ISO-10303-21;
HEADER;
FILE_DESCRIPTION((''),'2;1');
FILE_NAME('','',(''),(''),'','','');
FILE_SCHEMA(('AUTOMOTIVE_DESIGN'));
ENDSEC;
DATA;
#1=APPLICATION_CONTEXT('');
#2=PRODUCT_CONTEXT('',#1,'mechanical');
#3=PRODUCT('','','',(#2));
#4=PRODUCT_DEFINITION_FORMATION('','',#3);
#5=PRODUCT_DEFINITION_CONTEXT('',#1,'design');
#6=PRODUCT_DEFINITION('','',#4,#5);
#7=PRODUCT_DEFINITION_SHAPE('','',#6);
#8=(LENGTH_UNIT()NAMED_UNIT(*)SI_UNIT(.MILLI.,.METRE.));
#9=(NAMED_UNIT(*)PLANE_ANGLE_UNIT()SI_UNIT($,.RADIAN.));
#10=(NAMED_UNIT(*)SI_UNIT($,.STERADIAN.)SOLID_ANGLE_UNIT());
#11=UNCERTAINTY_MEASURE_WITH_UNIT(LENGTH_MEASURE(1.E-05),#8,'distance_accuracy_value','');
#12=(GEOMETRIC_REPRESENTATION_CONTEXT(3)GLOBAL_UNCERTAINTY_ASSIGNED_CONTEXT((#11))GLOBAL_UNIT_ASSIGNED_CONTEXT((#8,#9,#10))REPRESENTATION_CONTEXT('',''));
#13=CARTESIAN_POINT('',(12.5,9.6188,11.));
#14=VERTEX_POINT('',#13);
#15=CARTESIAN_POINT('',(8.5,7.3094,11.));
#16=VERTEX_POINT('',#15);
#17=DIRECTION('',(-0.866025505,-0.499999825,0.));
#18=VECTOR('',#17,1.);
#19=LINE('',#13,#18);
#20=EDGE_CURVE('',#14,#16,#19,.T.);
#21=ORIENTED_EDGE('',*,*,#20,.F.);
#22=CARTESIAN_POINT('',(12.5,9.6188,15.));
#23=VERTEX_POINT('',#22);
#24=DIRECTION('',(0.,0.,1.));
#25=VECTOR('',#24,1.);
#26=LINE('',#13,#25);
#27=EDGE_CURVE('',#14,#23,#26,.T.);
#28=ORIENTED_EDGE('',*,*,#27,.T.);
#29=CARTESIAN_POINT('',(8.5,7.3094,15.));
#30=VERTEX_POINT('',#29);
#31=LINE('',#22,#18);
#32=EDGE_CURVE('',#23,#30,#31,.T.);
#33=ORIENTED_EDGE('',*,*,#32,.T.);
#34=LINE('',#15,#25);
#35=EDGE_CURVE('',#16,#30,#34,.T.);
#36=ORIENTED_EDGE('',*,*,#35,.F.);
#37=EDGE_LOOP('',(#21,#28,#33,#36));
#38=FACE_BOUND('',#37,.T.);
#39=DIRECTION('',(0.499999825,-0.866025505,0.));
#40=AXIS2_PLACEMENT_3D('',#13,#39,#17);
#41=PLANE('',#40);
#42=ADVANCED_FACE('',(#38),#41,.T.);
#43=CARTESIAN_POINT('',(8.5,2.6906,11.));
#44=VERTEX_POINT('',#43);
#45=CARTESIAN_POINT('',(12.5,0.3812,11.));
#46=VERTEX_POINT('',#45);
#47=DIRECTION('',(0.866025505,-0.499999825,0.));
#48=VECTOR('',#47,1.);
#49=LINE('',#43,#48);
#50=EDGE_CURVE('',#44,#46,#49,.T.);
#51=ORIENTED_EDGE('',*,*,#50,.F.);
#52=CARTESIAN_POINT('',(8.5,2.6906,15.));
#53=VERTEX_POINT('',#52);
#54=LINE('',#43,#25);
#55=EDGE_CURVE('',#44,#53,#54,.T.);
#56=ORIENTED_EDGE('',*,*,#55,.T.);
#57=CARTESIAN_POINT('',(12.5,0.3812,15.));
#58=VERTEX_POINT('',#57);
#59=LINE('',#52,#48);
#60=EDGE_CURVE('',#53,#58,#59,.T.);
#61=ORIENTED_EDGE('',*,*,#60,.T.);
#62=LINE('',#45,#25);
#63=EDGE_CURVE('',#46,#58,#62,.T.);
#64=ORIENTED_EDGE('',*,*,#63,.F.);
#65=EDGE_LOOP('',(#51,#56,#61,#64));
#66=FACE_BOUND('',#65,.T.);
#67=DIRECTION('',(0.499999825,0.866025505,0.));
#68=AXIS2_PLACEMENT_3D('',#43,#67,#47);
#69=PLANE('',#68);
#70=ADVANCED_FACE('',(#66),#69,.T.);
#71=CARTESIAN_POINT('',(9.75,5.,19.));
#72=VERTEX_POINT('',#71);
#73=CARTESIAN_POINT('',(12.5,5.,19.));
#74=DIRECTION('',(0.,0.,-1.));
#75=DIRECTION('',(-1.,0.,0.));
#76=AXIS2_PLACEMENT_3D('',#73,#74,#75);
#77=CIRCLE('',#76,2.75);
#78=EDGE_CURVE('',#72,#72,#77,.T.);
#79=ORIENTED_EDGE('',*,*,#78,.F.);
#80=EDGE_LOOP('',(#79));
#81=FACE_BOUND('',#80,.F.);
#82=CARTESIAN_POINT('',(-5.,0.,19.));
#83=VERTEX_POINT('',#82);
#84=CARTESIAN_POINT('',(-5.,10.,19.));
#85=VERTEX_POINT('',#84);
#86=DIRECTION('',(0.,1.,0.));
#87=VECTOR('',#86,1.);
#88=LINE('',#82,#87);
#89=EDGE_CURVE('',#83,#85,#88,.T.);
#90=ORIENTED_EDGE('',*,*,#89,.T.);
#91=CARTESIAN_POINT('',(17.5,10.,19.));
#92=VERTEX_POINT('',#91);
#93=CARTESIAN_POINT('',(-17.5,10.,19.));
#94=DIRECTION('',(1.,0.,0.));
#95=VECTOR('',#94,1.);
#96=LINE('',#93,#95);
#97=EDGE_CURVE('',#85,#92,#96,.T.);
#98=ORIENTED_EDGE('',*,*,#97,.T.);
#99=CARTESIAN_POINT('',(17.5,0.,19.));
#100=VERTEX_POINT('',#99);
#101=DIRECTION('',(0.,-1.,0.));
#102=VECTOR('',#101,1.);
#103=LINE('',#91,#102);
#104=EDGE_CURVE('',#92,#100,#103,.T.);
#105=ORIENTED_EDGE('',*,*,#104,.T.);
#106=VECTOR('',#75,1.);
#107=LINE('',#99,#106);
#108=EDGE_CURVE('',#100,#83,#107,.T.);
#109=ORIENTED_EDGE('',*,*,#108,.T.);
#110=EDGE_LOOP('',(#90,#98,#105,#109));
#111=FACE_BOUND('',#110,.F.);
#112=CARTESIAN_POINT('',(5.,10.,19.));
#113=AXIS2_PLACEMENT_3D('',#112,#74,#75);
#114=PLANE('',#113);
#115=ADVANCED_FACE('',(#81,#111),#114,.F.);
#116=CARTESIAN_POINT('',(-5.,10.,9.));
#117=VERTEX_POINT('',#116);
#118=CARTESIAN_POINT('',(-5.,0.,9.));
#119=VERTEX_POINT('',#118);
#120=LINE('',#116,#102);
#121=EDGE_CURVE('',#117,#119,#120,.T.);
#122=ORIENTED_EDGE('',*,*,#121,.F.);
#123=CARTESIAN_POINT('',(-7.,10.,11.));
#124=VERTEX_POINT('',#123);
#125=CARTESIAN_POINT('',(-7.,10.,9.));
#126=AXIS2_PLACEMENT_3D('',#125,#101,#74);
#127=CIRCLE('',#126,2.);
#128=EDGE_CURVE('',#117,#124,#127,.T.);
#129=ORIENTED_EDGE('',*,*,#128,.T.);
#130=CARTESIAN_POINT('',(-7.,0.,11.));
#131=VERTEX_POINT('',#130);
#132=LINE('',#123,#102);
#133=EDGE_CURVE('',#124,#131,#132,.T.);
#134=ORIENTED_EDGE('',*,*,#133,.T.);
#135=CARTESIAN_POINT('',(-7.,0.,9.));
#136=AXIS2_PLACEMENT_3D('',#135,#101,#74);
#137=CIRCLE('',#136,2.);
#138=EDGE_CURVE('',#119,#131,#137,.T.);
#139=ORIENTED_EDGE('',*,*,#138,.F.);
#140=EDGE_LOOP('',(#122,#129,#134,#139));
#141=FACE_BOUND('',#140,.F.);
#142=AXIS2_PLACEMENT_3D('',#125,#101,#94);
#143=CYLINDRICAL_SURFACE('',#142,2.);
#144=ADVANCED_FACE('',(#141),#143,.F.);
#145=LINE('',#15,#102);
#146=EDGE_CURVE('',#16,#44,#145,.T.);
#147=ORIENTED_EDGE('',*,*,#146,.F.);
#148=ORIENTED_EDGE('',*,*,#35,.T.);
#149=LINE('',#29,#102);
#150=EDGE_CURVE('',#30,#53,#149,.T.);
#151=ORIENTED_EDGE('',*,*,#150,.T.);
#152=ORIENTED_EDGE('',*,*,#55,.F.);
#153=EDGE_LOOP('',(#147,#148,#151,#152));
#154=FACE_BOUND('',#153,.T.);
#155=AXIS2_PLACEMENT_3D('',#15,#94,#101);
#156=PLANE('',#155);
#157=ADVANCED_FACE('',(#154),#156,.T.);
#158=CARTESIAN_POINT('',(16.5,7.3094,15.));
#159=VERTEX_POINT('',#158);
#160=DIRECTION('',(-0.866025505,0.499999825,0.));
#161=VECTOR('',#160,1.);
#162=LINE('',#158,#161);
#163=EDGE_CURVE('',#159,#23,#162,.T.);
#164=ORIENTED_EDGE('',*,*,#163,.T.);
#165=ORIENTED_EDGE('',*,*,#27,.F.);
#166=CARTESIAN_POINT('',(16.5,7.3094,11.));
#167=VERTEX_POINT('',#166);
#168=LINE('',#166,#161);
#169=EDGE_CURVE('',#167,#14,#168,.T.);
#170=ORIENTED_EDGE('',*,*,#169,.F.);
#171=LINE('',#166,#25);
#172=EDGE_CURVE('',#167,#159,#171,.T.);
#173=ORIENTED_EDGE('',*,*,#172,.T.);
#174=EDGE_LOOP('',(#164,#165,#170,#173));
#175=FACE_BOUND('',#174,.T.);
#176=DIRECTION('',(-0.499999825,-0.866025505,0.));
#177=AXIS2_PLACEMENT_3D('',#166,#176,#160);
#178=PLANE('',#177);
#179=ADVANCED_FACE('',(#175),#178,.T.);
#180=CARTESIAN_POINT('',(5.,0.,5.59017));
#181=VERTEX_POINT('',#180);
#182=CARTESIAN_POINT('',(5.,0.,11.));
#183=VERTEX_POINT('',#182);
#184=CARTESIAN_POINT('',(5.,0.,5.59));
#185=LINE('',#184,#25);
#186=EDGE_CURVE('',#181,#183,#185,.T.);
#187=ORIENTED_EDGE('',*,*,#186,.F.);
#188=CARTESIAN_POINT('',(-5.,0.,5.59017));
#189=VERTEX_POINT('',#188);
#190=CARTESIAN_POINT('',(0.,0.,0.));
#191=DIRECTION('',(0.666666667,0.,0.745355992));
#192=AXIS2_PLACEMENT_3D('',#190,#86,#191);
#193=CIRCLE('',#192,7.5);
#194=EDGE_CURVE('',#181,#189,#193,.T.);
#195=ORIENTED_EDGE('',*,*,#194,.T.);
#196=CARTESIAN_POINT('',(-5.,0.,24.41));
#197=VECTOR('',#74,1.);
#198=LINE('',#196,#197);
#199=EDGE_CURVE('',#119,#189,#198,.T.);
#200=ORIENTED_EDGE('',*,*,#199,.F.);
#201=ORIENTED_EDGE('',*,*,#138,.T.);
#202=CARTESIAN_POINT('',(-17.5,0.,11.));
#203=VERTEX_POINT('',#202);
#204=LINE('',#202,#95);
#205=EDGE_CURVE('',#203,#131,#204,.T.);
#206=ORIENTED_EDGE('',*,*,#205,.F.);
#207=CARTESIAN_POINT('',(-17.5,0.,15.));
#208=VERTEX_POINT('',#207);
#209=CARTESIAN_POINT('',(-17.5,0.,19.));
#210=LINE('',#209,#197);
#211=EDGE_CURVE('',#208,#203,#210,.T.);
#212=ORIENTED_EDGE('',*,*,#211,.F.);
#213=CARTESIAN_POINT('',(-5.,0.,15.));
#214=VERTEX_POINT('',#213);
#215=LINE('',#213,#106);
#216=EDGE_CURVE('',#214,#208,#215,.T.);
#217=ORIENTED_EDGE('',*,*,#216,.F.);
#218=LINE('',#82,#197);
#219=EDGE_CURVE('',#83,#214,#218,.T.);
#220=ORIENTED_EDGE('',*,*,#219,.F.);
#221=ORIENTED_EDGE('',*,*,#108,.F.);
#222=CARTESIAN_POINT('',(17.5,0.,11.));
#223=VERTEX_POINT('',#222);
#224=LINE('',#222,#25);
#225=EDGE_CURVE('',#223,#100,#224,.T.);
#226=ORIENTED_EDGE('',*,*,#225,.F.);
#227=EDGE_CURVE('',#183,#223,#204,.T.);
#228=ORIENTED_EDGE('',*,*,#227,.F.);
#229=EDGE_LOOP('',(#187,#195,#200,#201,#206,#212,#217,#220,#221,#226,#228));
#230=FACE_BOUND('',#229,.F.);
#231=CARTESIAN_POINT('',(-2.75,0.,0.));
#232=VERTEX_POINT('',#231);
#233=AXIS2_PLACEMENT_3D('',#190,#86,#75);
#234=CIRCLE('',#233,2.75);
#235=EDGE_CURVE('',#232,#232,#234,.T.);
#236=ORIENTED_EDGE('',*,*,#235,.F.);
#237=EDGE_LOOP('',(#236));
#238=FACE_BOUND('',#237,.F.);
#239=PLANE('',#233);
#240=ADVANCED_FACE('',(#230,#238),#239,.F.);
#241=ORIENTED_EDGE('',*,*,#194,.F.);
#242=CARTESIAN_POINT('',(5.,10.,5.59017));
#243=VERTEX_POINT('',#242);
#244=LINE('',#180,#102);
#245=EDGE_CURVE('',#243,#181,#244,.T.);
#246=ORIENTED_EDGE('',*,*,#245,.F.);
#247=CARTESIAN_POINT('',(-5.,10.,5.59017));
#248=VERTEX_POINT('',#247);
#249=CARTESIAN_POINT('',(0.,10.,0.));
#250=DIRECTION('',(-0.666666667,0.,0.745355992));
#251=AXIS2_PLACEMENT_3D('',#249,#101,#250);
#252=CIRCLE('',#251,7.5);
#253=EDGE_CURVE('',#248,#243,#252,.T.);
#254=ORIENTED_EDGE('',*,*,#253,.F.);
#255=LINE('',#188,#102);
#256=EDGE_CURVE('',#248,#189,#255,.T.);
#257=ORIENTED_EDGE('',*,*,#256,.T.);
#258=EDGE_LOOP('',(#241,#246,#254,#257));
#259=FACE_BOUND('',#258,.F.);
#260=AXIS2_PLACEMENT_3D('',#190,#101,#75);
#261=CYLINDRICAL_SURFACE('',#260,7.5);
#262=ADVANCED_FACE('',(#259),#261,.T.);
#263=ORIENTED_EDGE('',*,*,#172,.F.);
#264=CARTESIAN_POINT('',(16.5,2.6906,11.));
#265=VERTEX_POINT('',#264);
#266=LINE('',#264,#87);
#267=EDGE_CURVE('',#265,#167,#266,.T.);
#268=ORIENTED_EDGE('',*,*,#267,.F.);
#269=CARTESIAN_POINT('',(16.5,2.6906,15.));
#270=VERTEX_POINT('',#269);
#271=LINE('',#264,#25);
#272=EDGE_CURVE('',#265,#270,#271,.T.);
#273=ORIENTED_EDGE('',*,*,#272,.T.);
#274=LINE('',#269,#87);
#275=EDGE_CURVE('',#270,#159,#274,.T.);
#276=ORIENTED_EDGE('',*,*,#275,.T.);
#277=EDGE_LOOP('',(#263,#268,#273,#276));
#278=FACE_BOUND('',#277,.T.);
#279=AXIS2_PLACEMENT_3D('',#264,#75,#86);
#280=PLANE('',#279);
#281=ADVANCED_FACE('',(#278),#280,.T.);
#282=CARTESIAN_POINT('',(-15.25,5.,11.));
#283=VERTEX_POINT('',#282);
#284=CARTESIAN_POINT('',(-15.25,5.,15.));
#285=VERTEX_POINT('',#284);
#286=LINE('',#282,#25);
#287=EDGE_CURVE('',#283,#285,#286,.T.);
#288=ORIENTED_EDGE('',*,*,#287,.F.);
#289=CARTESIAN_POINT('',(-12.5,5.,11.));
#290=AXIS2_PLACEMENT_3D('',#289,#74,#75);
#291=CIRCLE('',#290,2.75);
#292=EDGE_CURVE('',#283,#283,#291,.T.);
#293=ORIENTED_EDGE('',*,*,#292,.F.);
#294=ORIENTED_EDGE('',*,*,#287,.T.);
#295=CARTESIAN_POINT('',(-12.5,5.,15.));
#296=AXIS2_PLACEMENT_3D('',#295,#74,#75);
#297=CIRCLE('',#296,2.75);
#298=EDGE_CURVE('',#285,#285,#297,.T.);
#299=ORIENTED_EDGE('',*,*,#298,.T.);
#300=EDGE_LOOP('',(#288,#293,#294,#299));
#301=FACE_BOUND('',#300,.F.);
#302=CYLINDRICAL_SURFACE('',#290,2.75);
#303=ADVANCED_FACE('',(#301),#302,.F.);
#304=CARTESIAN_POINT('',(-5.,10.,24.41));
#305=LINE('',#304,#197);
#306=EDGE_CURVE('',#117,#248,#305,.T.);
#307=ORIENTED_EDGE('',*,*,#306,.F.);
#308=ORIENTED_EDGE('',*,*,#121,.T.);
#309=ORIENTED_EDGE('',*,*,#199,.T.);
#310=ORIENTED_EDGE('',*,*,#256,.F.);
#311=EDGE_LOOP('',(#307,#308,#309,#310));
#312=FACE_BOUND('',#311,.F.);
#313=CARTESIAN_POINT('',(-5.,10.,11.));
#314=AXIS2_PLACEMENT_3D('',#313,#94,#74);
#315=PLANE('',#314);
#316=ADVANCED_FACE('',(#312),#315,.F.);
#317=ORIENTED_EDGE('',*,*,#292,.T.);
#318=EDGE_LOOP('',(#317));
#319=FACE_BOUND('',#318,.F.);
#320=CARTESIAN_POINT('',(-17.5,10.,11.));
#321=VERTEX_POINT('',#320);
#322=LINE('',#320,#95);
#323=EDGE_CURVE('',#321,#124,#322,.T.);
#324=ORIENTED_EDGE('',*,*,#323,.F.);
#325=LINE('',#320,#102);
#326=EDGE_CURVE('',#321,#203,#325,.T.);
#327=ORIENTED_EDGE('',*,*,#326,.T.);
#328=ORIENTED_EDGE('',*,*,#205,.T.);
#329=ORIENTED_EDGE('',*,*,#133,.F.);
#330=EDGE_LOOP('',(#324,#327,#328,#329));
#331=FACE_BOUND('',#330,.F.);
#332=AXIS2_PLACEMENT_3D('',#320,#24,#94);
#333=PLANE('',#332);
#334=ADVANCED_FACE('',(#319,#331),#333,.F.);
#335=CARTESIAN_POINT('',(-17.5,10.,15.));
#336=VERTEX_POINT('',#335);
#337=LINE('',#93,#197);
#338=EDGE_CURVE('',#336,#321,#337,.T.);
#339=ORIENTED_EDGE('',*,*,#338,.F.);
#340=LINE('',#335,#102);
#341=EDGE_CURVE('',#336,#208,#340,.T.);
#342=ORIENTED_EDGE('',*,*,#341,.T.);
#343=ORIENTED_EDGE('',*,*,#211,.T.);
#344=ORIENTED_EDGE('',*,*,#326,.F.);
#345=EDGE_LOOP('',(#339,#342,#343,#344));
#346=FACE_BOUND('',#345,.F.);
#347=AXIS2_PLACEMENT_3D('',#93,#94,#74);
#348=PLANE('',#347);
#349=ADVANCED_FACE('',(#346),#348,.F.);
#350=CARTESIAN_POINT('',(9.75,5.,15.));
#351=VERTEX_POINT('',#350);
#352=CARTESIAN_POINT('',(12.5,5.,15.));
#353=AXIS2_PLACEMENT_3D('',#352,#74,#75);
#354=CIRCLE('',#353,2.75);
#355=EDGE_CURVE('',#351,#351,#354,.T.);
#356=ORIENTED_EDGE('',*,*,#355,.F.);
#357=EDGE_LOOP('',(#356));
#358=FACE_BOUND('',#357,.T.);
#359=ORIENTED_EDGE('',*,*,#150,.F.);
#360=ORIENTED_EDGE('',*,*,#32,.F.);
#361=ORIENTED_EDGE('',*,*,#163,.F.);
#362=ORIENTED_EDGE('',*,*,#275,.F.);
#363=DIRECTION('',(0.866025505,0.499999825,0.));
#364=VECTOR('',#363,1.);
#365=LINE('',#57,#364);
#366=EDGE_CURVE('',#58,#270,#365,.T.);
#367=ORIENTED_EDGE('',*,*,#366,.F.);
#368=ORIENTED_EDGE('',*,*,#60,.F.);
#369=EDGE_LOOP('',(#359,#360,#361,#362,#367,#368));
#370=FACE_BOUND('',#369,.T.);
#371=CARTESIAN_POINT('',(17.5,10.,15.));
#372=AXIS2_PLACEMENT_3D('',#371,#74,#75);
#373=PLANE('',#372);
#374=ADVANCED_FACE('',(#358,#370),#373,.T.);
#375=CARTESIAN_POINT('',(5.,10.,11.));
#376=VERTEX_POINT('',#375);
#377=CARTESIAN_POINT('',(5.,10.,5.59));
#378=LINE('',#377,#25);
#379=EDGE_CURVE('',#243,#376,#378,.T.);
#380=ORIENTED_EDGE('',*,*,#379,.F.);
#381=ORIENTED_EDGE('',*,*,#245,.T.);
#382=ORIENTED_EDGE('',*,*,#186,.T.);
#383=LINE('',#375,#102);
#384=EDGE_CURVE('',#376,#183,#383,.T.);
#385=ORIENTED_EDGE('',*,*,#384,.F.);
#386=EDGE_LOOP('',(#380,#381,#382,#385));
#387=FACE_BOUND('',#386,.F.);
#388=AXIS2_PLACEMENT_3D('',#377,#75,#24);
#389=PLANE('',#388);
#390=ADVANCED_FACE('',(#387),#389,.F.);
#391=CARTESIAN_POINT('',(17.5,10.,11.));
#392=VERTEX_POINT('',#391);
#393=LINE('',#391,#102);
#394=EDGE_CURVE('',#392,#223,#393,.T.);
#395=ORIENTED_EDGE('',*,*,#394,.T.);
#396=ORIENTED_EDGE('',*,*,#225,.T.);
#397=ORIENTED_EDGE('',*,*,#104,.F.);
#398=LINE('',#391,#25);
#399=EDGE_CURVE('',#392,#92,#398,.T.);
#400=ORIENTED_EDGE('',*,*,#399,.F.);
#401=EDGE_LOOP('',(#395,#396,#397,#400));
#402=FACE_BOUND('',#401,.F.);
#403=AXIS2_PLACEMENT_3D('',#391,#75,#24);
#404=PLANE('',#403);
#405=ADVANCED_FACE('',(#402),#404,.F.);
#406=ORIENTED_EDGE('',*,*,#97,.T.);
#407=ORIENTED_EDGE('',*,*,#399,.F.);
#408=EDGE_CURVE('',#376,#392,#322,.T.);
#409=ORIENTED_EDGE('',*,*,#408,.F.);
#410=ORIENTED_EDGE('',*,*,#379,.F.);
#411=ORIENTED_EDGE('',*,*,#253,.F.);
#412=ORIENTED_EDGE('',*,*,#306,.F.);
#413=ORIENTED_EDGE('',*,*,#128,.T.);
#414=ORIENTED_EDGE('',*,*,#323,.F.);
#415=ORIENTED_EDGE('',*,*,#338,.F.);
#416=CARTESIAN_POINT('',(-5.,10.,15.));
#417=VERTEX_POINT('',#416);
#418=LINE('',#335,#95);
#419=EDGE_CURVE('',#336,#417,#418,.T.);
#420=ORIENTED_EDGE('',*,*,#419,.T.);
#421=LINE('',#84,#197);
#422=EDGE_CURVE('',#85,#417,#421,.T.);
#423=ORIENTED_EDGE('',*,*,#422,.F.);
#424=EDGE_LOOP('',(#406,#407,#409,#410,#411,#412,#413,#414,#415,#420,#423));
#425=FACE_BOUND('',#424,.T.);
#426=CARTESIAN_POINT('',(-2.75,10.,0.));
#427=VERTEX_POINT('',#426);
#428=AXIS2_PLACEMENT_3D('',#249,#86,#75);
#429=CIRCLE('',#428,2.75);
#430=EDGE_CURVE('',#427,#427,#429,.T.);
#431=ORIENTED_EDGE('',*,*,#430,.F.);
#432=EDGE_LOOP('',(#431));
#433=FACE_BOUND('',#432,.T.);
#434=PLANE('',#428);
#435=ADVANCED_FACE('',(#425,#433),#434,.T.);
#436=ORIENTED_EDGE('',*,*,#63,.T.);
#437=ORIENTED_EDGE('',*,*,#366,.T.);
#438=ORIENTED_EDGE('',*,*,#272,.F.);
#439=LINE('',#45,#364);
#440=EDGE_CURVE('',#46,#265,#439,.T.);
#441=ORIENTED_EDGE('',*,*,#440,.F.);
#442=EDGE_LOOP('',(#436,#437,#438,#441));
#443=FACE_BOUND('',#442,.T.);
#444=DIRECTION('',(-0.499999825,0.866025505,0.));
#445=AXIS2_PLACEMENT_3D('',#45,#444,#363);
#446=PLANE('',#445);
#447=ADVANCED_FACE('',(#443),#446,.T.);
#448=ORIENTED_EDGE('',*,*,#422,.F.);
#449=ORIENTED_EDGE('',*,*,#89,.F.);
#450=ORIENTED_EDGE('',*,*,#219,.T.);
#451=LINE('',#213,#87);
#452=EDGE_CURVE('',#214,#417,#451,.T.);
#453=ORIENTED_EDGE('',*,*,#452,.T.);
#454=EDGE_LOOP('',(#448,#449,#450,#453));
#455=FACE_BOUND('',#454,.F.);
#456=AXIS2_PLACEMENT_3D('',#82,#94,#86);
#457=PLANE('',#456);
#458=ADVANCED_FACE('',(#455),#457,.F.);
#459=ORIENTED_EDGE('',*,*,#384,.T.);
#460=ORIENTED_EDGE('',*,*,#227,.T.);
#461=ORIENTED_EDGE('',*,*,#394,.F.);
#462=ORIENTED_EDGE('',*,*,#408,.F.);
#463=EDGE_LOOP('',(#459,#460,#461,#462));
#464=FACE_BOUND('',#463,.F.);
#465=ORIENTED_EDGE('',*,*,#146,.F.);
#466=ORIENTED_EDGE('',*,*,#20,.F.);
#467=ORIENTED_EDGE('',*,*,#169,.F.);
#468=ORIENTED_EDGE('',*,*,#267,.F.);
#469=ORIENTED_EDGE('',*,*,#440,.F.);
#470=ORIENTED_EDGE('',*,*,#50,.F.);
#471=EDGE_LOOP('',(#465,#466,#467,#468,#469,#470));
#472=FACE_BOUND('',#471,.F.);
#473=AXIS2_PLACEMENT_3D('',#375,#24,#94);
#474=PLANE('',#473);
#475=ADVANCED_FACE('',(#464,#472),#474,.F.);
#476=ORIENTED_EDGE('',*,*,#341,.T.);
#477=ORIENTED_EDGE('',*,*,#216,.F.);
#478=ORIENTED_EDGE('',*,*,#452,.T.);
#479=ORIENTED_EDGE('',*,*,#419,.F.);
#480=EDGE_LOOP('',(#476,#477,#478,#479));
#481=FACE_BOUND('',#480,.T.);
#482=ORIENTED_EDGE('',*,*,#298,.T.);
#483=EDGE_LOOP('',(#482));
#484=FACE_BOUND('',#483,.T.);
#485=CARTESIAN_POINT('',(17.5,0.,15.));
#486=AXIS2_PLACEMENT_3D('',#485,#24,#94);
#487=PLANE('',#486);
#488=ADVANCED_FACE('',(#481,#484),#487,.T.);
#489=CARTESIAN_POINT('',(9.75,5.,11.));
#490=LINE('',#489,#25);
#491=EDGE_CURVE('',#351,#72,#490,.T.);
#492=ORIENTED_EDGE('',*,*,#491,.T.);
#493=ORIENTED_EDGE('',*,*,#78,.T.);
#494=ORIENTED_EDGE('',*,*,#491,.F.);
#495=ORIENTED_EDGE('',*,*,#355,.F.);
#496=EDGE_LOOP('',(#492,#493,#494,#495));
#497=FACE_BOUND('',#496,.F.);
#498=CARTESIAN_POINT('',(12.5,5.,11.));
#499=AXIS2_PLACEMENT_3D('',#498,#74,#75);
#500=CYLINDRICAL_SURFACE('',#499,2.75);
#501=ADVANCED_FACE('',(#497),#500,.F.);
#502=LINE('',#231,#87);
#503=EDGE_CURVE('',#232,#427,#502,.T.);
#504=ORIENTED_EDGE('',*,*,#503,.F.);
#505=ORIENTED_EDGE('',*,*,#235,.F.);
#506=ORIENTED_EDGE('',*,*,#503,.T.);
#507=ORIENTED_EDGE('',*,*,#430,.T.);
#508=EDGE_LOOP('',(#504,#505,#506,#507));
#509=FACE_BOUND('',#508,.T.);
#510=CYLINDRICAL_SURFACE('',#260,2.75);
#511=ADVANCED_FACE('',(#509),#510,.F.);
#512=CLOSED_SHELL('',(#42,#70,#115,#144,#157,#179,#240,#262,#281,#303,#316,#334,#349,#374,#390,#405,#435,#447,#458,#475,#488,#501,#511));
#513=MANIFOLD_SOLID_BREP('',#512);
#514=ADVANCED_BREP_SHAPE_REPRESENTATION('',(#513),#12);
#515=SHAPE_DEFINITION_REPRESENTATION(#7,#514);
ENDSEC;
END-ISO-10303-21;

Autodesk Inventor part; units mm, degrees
ref_plane "YZ Plane" through (0, 0, 0) normal (1, 0, 0) x (0, 1, 0)
ref_plane "XZ Plane" through (0, 0, 0) normal (0, 1, 0) x (-1, 0, 0)
ref_plane "XY Plane" through (0, 0, 0) normal (0, 0, 1) x (1, 0, 0)
sketch "Sketch4" plane through (0, 0, 0) normal (0, 1, 0) x (-1, 0, 0)
  circle A0 centre (0, 0) radius 7.5
  circle A1 centre (0, 0) radius 2.75
  dimension "d19" = 15
  dimension "d20" = 5.5
extrude "Extrusion4" add sketch "Sketch4" along normal blind 10
ref_plane "Work Plane1" through (0, 10, 0) normal (0, -1, 0) x (1, 0, 0)
sketch "Sketch7" plane through (0, 10, 0) normal (0, -1, 0) x (1, 0, 0)
  line L0 (0, 0) -> (0, 15)
  line L1 (17.5, 19) -> (-17.5, 19)
  line L2 (-17.5, 19) -> (-17.5, 11)
  line L3 (-17.5, 11) -> (17.5, 11)
  line L4 (17.5, 11) -> (17.5, 19)
  line L5 (17.5, 19) -> (-17.5, 11) construction
  line L6 (-17.5, 19) -> (17.5, 11) construction
  line L7 (5, 24.41) -> (-5, 24.41)
  line L8 (-5, 24.41) -> (-5, 5.59)
  line L9 (-5, 5.59) -> (5, 5.59)
  line L10 (5, 5.59) -> (5, 24.41)
  line L11 (5, 24.41) -> (-5, 5.59) construction
  line L12 (-5, 24.41) -> (5, 5.59) construction
  point P0 (-5, 11)
  point P1 (5, 11)
  dimension "d35" = 15
  dimension "d36" = 35
  dimension "d37" = 8
  dimension "d38" = 10
  dimension "d39" = 18.82
extrude "Extrusion6" add sketch "Sketch7" along normal up to surface (10 mm away) contours L9 L8 L3 L0 | L0 L3 L10 L9 | L3 L8 L1 L10 | L3 L2 L1 L8 | L10 L1 L4 L3
sketch "Sketch8" plane through (-5, 10, 11) normal (0, 0, -1) x (-1, 0, 0)
  point P0 (-5, -10)
sketch "Sketch10" plane through (17.5, 10, 11) normal (0, 0, -1) x (-1, 0, 0)
  circle A0 centre (5, -5) radius 2.75
  circle A1 centre (30, -5) radius 2.75
  line L0 (35, -10) -> (22.5, -10) projected
  line L1 (35, 0) -> (35, -10) projected
  line L2 (0, 0) -> (0, -10) projected
  line L3 (12.5, -10) -> (0, -10) projected
  point P0 (17.5, -10)
  dimension "d50" = 5.5
  dimension "d51" = 5.5
  dimension "d52" = 5
  dimension "d53" = 5
  dimension "d54" = 5
  dimension "d55" = 5
extrude "Extrusion8" cut sketch "Sketch10" against normal through all
sketch "Sketch11" plane through (17.5, 10, 11) normal (0, 0, -1) x (-1, 0, 0)
  circle A0 centre (5, -5) radius 2.75 projected
  line L0 (5, -9.6188) -> (1, -7.3094)
  line L1 (1, -7.3094) -> (1, -2.6906)
  line L2 (1, -2.6906) -> (5, -0.3812)
  line L3 (5, -0.3812) -> (9, -2.6906)
  line L4 (9, -2.6906) -> (9, -7.3094)
  line L5 (9, -7.3094) -> (5, -9.6188)
  line L6 (0, 0) -> (0, -10) projected
  line L7 (12.5, 0) -> (12.5, -10) projected
  line L8 (0, 0) -> (12.5, 0)
  line L9 (12.5, 0) -> (12.5, -10)
  line L10 (12.5, -10) -> (0, -10)
  line L11 (0, -10) -> (0, 0)
  point P0 (17.5, -10)
  point P1 (12.4201, 0)
  dimension "d58" = 8
fillet "Fillet3" radius 2 1 edges at (-5, 5, 11)
extrude "Extrusion10" cut sketch "Sketch11" against normal blind 4 contours L0 L1 L2 L3 L4 L5
sketch "Sketch12" plane through (17.5, 0, 19) normal (0, 0, 1) x (1, 0, 0)
  line L0 (-22.5, 0) -> (-22.5, 10) projected
  line L1 (-35, 10) -> (-35, 0) projected
  line L2 (-22.5, 0) -> (-35, 0)
  line L3 (-35, 0) -> (-35, 10)
  line L4 (-35, 10) -> (-22.5, 10)
  line L5 (-22.5, 10) -> (-22.5, 0)
  point P0 (-17.5, 0)
extrude "Extrusion11" cut sketch "Sketch12" against normal blind 4
properties part number "4mm_Roller_Spacer_R" material "PET Plastic"
